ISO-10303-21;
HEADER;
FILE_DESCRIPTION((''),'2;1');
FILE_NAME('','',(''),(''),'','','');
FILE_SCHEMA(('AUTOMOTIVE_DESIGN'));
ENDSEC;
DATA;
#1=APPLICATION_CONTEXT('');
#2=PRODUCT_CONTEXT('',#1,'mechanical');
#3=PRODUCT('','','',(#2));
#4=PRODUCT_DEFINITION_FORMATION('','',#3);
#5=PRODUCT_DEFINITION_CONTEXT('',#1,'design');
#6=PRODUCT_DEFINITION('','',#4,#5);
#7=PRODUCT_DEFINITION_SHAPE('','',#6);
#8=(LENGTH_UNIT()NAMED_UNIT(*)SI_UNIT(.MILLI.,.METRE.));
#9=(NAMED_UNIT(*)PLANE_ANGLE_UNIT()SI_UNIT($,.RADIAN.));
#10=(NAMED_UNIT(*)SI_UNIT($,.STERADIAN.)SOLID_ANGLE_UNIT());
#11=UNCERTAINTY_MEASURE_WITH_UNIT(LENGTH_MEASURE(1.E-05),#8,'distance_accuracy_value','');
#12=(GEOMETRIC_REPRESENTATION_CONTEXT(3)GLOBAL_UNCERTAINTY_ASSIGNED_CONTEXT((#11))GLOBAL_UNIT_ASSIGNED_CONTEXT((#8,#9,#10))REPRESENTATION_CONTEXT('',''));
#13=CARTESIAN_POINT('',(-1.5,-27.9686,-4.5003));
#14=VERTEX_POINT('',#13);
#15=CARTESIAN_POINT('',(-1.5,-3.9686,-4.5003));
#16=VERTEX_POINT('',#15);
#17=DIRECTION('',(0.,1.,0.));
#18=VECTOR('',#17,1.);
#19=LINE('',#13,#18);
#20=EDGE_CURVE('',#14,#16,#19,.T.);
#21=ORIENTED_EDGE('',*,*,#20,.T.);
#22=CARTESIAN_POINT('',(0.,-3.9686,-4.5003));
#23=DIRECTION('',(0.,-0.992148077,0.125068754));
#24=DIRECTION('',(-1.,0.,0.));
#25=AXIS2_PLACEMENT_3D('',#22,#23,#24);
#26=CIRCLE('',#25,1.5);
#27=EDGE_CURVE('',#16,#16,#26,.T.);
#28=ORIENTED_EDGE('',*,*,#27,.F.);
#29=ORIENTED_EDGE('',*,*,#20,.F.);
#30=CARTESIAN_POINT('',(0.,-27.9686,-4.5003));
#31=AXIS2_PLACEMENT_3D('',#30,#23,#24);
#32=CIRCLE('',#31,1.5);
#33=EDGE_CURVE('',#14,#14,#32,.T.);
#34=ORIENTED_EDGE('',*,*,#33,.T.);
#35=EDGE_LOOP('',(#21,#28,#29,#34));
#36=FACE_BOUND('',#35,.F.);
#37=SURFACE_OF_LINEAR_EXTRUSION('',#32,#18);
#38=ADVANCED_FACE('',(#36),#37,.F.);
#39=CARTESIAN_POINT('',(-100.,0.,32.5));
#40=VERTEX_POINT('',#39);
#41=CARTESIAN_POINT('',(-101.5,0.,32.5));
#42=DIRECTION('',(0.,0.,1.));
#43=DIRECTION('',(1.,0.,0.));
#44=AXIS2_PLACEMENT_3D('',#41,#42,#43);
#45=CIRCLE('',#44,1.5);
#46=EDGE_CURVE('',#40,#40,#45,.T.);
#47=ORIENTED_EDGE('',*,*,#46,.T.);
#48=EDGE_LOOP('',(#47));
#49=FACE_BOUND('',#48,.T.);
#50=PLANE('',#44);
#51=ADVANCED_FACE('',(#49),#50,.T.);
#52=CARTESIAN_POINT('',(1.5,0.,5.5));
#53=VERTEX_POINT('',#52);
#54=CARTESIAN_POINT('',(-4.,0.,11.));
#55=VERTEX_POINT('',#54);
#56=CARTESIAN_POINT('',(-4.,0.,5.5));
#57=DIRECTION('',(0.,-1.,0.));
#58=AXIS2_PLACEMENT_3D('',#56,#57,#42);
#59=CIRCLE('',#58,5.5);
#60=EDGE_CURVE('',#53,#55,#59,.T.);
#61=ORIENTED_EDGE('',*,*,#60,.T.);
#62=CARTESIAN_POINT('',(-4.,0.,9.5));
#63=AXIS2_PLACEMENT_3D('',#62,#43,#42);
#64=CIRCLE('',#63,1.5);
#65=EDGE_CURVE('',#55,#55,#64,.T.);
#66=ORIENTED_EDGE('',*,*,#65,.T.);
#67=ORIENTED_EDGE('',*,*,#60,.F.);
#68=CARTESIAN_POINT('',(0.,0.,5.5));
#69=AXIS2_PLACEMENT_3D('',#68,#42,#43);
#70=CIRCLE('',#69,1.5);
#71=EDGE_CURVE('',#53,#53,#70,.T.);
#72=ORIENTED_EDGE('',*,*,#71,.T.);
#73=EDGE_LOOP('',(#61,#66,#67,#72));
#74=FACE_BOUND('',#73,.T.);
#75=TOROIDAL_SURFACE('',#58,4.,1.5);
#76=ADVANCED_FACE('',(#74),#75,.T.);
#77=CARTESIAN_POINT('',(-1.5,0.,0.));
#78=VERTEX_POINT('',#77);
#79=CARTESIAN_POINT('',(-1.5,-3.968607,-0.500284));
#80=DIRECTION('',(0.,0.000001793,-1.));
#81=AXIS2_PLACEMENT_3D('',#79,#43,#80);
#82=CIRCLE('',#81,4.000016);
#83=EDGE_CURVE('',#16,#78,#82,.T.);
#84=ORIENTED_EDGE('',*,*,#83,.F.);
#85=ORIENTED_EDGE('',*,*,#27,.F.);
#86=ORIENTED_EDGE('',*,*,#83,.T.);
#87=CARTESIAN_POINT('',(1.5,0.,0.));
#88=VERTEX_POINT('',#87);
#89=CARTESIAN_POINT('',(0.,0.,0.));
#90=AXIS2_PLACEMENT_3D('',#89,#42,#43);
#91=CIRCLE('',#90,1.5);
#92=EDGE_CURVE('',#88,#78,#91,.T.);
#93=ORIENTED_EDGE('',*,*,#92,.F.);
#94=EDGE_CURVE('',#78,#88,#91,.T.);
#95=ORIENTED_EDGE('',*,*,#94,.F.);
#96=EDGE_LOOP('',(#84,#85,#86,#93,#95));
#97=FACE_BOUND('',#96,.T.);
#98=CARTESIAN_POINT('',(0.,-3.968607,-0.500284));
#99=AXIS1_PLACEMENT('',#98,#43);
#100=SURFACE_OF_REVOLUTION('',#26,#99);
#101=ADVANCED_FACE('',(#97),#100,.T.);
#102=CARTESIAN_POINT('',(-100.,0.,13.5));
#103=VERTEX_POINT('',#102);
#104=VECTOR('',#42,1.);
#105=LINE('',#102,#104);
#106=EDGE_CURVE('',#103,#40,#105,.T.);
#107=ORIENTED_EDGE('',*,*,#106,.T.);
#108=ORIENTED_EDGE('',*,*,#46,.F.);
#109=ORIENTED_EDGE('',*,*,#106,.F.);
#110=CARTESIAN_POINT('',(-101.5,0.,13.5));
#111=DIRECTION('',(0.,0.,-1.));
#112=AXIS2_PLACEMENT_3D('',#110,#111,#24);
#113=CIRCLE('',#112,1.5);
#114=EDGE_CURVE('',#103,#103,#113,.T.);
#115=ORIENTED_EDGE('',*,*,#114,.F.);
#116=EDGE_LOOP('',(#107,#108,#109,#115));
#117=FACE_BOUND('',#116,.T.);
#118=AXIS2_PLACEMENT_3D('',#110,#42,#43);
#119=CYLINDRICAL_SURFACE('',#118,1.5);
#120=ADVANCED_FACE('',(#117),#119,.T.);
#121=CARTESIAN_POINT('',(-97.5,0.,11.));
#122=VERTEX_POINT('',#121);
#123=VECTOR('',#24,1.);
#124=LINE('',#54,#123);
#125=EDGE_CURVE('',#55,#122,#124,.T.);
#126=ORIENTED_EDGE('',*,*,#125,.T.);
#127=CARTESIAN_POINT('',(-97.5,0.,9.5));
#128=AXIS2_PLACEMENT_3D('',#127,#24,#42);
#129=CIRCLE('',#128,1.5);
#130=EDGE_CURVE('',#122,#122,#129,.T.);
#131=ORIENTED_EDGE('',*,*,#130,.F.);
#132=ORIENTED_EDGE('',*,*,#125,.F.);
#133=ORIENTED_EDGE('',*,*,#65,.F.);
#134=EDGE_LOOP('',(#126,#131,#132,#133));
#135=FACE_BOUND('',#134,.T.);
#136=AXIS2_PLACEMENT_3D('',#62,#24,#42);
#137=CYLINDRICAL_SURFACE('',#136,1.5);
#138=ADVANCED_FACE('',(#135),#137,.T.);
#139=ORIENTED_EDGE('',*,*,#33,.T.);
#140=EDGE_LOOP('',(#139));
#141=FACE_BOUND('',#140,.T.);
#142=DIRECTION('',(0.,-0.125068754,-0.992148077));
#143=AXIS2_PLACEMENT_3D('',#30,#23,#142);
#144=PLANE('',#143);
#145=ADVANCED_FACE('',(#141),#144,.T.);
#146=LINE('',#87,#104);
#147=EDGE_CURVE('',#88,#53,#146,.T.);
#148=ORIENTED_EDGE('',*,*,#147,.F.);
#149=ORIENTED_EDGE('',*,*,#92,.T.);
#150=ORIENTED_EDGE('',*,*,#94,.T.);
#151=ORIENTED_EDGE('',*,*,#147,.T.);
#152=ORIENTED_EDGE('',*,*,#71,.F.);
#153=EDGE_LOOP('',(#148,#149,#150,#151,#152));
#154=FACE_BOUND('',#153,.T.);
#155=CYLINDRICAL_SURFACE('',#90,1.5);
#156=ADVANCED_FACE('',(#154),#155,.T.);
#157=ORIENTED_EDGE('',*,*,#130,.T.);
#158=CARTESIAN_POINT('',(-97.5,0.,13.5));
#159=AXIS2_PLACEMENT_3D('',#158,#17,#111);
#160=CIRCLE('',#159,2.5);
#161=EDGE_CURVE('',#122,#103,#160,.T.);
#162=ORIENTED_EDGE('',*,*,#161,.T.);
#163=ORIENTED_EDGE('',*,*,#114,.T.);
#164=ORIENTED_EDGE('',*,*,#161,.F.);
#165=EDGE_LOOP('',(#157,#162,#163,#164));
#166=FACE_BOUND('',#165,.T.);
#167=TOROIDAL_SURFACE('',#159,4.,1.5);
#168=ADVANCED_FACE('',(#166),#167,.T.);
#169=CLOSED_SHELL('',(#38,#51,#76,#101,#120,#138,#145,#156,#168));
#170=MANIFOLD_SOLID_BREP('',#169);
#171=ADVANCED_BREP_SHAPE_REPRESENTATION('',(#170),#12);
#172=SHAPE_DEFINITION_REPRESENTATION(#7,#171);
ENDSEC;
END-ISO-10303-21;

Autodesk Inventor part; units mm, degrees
ref_plane "YZ Plane" through (0, 0, 0) normal (1, 0, 0) x (0, 1, 0)
ref_plane "XZ Plane" through (0, 0, 0) normal (0, 1, 0) x (-1, 0, 0)
sketch "Sketch2" plane through (0, 0, 0) normal (0, 1, 0) x (-1, 0, 0)
  line L0 (0, 0) -> (0, 5.5)
  line L1 (4, 9.5) -> (97.5, 9.5)
  arc A0 (4, 9.5) -> (0, 5.5) centre (4, 5.5) ccw
  arc A1 (97.5, 9.5) -> (101.5, 13.5) centre (97.5, 13.5) ccw
  line L2 (101.5, 13.5) -> (101.5, 32.5)
  point P0 (0, 9.5)
  dimension "d2" = 97.5
  dimension "d3" = 4
  dimension "d12" = 8
  dimension "d13" = 19
  dimension "d14" = 5.5
sketch "Sketch1" plane through (0, 0, 0) normal (0, 0, 1) x (1, 0, 0)
  circle A0 centre (0, 0) radius 1.5
  dimension "d0" = 3
sweep "Sweep1" add profiles "Sketch1" path "Sketch2"
ref_plane "Work Plane4" through (-97.5, 0, 9.5) normal (-1, 0, 0) x (0, -1, 0)
sketch "Sketch6" plane through (0, 0, 0) normal (1, 0, 0) x (0, 1, 0)
  line L0 (1.5, 0) -> (-1.5, 0) construction
  line L1 (-27.9686, -4.5003) -> (-3.9686, -4.5003)
  arc A0 (-3.9686, -4.5003) -> (0, 0) centre (-3.9686, -0.5003) ccw
  line L2 (1.5, 5.5) -> (-1.5, 5.5) projected
  line L3 (1.5, 0) -> (-1.5, 0) projected
  line L4 (1.5, 0) -> (-1.5, 0) projected
  point P0 (-6.0857, 0)
  dimension "d19" = 24
  dimension "d20" = 4
sketch "Sketch7" plane through (0, 0, 0) normal (0, 0, -1) x (-1, 0, 0)
  circle A0 centre (0, 0) radius 1.5
  dimension "d21" = 3
sweep "Sweep2" add profiles "Sketch7" path "Sketch6" path curves A0 L1
properties part number "HUDSON-1-86"
